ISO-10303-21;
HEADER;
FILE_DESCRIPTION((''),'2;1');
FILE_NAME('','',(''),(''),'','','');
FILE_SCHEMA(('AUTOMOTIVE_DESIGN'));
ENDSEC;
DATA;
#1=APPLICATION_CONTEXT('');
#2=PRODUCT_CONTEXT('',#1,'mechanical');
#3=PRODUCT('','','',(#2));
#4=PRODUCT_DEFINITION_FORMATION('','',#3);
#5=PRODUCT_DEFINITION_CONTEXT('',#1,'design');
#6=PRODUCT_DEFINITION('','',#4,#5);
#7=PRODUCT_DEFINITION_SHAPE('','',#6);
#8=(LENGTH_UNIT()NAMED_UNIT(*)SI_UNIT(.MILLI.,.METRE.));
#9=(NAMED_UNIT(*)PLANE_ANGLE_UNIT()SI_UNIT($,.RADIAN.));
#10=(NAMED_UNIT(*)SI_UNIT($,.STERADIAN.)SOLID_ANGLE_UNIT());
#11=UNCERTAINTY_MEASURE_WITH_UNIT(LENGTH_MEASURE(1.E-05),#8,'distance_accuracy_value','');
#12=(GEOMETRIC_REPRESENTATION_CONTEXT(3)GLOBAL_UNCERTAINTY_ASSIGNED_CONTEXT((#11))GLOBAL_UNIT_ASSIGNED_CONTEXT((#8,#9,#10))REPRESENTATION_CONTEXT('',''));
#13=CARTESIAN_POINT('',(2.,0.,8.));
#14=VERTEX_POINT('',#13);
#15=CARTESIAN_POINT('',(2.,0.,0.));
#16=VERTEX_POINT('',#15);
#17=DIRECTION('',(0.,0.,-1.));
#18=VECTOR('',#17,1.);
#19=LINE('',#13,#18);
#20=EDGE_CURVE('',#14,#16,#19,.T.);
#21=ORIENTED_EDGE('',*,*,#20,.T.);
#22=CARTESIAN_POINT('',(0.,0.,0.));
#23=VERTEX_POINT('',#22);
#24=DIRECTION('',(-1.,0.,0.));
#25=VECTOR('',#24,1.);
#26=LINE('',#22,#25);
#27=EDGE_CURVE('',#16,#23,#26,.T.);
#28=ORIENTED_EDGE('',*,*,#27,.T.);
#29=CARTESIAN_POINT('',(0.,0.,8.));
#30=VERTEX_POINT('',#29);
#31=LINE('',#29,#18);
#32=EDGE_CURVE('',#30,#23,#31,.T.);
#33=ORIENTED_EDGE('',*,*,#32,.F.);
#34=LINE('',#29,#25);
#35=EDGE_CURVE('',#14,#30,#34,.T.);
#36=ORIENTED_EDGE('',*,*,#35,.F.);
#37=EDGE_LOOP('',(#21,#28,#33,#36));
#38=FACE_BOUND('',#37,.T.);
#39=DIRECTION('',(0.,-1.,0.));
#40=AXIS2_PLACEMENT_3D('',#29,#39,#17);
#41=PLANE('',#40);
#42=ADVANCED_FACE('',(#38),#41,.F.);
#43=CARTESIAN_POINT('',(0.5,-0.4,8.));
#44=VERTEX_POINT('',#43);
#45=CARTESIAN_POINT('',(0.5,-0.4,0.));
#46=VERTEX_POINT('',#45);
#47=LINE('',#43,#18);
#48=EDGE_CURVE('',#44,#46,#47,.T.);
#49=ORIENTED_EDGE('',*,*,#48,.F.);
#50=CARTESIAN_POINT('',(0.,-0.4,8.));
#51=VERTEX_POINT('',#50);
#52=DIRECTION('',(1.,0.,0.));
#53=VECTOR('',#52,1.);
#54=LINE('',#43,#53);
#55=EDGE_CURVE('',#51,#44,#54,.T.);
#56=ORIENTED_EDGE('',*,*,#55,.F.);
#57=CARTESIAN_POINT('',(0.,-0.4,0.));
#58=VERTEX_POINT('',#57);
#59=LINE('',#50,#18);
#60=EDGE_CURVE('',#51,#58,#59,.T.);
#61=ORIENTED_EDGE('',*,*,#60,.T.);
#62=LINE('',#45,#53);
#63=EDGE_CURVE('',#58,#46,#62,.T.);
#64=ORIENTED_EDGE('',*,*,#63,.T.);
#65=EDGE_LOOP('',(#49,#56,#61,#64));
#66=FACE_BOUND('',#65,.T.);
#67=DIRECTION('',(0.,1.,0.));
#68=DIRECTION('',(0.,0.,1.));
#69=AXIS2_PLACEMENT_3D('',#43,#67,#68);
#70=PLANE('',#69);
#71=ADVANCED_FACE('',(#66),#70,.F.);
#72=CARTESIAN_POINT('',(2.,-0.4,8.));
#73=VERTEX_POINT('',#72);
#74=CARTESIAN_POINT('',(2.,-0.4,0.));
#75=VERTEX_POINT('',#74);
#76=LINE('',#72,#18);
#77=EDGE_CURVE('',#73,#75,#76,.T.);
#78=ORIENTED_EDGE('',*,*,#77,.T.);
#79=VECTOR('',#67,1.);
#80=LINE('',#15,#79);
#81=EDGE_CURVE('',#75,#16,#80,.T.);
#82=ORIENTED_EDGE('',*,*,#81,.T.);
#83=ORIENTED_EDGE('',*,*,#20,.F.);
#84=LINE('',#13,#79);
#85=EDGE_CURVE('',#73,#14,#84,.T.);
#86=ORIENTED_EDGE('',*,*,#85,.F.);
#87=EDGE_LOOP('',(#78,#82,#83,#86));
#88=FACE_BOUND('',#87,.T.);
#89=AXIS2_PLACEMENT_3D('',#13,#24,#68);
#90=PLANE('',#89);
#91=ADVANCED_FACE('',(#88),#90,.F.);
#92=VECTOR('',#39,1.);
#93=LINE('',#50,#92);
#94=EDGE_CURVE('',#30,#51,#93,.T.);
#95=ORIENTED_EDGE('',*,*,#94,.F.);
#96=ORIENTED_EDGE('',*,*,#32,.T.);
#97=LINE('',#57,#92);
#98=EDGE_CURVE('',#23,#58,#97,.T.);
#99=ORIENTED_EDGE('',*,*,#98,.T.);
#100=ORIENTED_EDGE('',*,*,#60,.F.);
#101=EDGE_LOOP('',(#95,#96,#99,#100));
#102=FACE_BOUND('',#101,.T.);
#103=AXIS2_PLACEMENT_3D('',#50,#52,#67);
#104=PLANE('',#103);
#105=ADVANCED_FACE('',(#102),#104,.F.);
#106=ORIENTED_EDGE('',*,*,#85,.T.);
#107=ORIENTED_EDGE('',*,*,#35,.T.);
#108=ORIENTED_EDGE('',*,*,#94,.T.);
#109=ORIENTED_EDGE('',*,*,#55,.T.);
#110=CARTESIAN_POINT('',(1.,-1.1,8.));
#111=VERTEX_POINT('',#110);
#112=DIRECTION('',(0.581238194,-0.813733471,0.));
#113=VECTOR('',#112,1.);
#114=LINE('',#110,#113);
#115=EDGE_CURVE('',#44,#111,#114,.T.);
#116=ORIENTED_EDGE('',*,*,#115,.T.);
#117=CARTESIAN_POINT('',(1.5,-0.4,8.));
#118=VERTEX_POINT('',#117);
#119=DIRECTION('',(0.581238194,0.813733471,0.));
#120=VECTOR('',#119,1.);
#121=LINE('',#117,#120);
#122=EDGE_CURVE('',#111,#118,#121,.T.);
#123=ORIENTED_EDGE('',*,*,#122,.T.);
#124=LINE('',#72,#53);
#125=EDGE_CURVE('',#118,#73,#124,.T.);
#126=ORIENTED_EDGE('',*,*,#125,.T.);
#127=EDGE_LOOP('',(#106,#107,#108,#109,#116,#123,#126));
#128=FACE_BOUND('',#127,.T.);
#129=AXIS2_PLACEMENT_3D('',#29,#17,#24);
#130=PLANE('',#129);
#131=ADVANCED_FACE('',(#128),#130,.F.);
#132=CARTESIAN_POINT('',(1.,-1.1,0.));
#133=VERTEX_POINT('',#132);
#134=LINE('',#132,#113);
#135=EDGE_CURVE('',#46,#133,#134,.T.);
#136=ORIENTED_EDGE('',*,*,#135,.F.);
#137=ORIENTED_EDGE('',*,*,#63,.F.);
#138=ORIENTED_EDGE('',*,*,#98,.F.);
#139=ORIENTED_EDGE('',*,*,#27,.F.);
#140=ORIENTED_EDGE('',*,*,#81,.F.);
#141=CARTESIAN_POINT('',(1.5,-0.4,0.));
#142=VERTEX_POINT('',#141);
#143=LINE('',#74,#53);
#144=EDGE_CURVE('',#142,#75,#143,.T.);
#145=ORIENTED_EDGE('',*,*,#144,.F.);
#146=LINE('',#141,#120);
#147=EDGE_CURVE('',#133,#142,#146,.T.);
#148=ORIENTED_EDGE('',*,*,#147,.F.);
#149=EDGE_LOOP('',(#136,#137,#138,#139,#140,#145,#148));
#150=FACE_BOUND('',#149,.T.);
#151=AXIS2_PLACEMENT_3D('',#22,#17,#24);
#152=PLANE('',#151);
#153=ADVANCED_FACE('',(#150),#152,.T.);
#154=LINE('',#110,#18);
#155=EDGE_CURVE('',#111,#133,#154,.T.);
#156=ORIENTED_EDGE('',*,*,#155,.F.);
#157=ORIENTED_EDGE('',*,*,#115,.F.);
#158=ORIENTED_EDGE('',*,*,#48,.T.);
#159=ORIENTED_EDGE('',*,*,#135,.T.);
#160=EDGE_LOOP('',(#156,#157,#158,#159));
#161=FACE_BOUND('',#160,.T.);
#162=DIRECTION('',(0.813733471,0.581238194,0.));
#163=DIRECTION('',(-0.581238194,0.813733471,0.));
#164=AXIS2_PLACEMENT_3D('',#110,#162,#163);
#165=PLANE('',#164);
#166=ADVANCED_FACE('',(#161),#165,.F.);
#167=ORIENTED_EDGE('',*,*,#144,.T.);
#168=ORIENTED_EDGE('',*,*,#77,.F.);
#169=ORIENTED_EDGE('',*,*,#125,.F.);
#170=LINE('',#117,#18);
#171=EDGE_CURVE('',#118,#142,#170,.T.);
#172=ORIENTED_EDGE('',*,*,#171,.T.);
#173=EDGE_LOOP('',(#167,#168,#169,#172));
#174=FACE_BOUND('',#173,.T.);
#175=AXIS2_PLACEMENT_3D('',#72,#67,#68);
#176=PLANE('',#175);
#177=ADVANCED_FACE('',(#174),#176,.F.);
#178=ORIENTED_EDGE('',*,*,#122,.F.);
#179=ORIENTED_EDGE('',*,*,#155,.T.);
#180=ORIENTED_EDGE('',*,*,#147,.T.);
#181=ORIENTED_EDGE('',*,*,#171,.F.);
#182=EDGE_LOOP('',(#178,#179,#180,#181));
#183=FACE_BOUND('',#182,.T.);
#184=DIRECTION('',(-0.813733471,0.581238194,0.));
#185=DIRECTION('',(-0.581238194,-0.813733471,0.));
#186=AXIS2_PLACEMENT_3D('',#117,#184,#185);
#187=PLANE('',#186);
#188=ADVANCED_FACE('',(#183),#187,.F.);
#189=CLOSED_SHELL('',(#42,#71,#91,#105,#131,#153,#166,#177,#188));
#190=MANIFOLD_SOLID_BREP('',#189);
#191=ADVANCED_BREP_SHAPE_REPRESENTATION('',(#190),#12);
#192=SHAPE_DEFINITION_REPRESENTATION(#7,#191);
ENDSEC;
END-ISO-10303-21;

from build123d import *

# Parameters (mm, degrees)
BOSS_EXTRUDE1_DEPTH = 8


with BuildPart() as part:
    # Sketch1 → Boss-Extrude1 (new body)
    with BuildSketch(Plane.XY):
        Polygon((0, 0), (2, 0), (2, -0.4), (1.5, -0.4), (1, -1.1), (0.5, -0.4), (0, -0.4), align=None)
    extrude(amount=BOSS_EXTRUDE1_DEPTH)


solid = part.part
